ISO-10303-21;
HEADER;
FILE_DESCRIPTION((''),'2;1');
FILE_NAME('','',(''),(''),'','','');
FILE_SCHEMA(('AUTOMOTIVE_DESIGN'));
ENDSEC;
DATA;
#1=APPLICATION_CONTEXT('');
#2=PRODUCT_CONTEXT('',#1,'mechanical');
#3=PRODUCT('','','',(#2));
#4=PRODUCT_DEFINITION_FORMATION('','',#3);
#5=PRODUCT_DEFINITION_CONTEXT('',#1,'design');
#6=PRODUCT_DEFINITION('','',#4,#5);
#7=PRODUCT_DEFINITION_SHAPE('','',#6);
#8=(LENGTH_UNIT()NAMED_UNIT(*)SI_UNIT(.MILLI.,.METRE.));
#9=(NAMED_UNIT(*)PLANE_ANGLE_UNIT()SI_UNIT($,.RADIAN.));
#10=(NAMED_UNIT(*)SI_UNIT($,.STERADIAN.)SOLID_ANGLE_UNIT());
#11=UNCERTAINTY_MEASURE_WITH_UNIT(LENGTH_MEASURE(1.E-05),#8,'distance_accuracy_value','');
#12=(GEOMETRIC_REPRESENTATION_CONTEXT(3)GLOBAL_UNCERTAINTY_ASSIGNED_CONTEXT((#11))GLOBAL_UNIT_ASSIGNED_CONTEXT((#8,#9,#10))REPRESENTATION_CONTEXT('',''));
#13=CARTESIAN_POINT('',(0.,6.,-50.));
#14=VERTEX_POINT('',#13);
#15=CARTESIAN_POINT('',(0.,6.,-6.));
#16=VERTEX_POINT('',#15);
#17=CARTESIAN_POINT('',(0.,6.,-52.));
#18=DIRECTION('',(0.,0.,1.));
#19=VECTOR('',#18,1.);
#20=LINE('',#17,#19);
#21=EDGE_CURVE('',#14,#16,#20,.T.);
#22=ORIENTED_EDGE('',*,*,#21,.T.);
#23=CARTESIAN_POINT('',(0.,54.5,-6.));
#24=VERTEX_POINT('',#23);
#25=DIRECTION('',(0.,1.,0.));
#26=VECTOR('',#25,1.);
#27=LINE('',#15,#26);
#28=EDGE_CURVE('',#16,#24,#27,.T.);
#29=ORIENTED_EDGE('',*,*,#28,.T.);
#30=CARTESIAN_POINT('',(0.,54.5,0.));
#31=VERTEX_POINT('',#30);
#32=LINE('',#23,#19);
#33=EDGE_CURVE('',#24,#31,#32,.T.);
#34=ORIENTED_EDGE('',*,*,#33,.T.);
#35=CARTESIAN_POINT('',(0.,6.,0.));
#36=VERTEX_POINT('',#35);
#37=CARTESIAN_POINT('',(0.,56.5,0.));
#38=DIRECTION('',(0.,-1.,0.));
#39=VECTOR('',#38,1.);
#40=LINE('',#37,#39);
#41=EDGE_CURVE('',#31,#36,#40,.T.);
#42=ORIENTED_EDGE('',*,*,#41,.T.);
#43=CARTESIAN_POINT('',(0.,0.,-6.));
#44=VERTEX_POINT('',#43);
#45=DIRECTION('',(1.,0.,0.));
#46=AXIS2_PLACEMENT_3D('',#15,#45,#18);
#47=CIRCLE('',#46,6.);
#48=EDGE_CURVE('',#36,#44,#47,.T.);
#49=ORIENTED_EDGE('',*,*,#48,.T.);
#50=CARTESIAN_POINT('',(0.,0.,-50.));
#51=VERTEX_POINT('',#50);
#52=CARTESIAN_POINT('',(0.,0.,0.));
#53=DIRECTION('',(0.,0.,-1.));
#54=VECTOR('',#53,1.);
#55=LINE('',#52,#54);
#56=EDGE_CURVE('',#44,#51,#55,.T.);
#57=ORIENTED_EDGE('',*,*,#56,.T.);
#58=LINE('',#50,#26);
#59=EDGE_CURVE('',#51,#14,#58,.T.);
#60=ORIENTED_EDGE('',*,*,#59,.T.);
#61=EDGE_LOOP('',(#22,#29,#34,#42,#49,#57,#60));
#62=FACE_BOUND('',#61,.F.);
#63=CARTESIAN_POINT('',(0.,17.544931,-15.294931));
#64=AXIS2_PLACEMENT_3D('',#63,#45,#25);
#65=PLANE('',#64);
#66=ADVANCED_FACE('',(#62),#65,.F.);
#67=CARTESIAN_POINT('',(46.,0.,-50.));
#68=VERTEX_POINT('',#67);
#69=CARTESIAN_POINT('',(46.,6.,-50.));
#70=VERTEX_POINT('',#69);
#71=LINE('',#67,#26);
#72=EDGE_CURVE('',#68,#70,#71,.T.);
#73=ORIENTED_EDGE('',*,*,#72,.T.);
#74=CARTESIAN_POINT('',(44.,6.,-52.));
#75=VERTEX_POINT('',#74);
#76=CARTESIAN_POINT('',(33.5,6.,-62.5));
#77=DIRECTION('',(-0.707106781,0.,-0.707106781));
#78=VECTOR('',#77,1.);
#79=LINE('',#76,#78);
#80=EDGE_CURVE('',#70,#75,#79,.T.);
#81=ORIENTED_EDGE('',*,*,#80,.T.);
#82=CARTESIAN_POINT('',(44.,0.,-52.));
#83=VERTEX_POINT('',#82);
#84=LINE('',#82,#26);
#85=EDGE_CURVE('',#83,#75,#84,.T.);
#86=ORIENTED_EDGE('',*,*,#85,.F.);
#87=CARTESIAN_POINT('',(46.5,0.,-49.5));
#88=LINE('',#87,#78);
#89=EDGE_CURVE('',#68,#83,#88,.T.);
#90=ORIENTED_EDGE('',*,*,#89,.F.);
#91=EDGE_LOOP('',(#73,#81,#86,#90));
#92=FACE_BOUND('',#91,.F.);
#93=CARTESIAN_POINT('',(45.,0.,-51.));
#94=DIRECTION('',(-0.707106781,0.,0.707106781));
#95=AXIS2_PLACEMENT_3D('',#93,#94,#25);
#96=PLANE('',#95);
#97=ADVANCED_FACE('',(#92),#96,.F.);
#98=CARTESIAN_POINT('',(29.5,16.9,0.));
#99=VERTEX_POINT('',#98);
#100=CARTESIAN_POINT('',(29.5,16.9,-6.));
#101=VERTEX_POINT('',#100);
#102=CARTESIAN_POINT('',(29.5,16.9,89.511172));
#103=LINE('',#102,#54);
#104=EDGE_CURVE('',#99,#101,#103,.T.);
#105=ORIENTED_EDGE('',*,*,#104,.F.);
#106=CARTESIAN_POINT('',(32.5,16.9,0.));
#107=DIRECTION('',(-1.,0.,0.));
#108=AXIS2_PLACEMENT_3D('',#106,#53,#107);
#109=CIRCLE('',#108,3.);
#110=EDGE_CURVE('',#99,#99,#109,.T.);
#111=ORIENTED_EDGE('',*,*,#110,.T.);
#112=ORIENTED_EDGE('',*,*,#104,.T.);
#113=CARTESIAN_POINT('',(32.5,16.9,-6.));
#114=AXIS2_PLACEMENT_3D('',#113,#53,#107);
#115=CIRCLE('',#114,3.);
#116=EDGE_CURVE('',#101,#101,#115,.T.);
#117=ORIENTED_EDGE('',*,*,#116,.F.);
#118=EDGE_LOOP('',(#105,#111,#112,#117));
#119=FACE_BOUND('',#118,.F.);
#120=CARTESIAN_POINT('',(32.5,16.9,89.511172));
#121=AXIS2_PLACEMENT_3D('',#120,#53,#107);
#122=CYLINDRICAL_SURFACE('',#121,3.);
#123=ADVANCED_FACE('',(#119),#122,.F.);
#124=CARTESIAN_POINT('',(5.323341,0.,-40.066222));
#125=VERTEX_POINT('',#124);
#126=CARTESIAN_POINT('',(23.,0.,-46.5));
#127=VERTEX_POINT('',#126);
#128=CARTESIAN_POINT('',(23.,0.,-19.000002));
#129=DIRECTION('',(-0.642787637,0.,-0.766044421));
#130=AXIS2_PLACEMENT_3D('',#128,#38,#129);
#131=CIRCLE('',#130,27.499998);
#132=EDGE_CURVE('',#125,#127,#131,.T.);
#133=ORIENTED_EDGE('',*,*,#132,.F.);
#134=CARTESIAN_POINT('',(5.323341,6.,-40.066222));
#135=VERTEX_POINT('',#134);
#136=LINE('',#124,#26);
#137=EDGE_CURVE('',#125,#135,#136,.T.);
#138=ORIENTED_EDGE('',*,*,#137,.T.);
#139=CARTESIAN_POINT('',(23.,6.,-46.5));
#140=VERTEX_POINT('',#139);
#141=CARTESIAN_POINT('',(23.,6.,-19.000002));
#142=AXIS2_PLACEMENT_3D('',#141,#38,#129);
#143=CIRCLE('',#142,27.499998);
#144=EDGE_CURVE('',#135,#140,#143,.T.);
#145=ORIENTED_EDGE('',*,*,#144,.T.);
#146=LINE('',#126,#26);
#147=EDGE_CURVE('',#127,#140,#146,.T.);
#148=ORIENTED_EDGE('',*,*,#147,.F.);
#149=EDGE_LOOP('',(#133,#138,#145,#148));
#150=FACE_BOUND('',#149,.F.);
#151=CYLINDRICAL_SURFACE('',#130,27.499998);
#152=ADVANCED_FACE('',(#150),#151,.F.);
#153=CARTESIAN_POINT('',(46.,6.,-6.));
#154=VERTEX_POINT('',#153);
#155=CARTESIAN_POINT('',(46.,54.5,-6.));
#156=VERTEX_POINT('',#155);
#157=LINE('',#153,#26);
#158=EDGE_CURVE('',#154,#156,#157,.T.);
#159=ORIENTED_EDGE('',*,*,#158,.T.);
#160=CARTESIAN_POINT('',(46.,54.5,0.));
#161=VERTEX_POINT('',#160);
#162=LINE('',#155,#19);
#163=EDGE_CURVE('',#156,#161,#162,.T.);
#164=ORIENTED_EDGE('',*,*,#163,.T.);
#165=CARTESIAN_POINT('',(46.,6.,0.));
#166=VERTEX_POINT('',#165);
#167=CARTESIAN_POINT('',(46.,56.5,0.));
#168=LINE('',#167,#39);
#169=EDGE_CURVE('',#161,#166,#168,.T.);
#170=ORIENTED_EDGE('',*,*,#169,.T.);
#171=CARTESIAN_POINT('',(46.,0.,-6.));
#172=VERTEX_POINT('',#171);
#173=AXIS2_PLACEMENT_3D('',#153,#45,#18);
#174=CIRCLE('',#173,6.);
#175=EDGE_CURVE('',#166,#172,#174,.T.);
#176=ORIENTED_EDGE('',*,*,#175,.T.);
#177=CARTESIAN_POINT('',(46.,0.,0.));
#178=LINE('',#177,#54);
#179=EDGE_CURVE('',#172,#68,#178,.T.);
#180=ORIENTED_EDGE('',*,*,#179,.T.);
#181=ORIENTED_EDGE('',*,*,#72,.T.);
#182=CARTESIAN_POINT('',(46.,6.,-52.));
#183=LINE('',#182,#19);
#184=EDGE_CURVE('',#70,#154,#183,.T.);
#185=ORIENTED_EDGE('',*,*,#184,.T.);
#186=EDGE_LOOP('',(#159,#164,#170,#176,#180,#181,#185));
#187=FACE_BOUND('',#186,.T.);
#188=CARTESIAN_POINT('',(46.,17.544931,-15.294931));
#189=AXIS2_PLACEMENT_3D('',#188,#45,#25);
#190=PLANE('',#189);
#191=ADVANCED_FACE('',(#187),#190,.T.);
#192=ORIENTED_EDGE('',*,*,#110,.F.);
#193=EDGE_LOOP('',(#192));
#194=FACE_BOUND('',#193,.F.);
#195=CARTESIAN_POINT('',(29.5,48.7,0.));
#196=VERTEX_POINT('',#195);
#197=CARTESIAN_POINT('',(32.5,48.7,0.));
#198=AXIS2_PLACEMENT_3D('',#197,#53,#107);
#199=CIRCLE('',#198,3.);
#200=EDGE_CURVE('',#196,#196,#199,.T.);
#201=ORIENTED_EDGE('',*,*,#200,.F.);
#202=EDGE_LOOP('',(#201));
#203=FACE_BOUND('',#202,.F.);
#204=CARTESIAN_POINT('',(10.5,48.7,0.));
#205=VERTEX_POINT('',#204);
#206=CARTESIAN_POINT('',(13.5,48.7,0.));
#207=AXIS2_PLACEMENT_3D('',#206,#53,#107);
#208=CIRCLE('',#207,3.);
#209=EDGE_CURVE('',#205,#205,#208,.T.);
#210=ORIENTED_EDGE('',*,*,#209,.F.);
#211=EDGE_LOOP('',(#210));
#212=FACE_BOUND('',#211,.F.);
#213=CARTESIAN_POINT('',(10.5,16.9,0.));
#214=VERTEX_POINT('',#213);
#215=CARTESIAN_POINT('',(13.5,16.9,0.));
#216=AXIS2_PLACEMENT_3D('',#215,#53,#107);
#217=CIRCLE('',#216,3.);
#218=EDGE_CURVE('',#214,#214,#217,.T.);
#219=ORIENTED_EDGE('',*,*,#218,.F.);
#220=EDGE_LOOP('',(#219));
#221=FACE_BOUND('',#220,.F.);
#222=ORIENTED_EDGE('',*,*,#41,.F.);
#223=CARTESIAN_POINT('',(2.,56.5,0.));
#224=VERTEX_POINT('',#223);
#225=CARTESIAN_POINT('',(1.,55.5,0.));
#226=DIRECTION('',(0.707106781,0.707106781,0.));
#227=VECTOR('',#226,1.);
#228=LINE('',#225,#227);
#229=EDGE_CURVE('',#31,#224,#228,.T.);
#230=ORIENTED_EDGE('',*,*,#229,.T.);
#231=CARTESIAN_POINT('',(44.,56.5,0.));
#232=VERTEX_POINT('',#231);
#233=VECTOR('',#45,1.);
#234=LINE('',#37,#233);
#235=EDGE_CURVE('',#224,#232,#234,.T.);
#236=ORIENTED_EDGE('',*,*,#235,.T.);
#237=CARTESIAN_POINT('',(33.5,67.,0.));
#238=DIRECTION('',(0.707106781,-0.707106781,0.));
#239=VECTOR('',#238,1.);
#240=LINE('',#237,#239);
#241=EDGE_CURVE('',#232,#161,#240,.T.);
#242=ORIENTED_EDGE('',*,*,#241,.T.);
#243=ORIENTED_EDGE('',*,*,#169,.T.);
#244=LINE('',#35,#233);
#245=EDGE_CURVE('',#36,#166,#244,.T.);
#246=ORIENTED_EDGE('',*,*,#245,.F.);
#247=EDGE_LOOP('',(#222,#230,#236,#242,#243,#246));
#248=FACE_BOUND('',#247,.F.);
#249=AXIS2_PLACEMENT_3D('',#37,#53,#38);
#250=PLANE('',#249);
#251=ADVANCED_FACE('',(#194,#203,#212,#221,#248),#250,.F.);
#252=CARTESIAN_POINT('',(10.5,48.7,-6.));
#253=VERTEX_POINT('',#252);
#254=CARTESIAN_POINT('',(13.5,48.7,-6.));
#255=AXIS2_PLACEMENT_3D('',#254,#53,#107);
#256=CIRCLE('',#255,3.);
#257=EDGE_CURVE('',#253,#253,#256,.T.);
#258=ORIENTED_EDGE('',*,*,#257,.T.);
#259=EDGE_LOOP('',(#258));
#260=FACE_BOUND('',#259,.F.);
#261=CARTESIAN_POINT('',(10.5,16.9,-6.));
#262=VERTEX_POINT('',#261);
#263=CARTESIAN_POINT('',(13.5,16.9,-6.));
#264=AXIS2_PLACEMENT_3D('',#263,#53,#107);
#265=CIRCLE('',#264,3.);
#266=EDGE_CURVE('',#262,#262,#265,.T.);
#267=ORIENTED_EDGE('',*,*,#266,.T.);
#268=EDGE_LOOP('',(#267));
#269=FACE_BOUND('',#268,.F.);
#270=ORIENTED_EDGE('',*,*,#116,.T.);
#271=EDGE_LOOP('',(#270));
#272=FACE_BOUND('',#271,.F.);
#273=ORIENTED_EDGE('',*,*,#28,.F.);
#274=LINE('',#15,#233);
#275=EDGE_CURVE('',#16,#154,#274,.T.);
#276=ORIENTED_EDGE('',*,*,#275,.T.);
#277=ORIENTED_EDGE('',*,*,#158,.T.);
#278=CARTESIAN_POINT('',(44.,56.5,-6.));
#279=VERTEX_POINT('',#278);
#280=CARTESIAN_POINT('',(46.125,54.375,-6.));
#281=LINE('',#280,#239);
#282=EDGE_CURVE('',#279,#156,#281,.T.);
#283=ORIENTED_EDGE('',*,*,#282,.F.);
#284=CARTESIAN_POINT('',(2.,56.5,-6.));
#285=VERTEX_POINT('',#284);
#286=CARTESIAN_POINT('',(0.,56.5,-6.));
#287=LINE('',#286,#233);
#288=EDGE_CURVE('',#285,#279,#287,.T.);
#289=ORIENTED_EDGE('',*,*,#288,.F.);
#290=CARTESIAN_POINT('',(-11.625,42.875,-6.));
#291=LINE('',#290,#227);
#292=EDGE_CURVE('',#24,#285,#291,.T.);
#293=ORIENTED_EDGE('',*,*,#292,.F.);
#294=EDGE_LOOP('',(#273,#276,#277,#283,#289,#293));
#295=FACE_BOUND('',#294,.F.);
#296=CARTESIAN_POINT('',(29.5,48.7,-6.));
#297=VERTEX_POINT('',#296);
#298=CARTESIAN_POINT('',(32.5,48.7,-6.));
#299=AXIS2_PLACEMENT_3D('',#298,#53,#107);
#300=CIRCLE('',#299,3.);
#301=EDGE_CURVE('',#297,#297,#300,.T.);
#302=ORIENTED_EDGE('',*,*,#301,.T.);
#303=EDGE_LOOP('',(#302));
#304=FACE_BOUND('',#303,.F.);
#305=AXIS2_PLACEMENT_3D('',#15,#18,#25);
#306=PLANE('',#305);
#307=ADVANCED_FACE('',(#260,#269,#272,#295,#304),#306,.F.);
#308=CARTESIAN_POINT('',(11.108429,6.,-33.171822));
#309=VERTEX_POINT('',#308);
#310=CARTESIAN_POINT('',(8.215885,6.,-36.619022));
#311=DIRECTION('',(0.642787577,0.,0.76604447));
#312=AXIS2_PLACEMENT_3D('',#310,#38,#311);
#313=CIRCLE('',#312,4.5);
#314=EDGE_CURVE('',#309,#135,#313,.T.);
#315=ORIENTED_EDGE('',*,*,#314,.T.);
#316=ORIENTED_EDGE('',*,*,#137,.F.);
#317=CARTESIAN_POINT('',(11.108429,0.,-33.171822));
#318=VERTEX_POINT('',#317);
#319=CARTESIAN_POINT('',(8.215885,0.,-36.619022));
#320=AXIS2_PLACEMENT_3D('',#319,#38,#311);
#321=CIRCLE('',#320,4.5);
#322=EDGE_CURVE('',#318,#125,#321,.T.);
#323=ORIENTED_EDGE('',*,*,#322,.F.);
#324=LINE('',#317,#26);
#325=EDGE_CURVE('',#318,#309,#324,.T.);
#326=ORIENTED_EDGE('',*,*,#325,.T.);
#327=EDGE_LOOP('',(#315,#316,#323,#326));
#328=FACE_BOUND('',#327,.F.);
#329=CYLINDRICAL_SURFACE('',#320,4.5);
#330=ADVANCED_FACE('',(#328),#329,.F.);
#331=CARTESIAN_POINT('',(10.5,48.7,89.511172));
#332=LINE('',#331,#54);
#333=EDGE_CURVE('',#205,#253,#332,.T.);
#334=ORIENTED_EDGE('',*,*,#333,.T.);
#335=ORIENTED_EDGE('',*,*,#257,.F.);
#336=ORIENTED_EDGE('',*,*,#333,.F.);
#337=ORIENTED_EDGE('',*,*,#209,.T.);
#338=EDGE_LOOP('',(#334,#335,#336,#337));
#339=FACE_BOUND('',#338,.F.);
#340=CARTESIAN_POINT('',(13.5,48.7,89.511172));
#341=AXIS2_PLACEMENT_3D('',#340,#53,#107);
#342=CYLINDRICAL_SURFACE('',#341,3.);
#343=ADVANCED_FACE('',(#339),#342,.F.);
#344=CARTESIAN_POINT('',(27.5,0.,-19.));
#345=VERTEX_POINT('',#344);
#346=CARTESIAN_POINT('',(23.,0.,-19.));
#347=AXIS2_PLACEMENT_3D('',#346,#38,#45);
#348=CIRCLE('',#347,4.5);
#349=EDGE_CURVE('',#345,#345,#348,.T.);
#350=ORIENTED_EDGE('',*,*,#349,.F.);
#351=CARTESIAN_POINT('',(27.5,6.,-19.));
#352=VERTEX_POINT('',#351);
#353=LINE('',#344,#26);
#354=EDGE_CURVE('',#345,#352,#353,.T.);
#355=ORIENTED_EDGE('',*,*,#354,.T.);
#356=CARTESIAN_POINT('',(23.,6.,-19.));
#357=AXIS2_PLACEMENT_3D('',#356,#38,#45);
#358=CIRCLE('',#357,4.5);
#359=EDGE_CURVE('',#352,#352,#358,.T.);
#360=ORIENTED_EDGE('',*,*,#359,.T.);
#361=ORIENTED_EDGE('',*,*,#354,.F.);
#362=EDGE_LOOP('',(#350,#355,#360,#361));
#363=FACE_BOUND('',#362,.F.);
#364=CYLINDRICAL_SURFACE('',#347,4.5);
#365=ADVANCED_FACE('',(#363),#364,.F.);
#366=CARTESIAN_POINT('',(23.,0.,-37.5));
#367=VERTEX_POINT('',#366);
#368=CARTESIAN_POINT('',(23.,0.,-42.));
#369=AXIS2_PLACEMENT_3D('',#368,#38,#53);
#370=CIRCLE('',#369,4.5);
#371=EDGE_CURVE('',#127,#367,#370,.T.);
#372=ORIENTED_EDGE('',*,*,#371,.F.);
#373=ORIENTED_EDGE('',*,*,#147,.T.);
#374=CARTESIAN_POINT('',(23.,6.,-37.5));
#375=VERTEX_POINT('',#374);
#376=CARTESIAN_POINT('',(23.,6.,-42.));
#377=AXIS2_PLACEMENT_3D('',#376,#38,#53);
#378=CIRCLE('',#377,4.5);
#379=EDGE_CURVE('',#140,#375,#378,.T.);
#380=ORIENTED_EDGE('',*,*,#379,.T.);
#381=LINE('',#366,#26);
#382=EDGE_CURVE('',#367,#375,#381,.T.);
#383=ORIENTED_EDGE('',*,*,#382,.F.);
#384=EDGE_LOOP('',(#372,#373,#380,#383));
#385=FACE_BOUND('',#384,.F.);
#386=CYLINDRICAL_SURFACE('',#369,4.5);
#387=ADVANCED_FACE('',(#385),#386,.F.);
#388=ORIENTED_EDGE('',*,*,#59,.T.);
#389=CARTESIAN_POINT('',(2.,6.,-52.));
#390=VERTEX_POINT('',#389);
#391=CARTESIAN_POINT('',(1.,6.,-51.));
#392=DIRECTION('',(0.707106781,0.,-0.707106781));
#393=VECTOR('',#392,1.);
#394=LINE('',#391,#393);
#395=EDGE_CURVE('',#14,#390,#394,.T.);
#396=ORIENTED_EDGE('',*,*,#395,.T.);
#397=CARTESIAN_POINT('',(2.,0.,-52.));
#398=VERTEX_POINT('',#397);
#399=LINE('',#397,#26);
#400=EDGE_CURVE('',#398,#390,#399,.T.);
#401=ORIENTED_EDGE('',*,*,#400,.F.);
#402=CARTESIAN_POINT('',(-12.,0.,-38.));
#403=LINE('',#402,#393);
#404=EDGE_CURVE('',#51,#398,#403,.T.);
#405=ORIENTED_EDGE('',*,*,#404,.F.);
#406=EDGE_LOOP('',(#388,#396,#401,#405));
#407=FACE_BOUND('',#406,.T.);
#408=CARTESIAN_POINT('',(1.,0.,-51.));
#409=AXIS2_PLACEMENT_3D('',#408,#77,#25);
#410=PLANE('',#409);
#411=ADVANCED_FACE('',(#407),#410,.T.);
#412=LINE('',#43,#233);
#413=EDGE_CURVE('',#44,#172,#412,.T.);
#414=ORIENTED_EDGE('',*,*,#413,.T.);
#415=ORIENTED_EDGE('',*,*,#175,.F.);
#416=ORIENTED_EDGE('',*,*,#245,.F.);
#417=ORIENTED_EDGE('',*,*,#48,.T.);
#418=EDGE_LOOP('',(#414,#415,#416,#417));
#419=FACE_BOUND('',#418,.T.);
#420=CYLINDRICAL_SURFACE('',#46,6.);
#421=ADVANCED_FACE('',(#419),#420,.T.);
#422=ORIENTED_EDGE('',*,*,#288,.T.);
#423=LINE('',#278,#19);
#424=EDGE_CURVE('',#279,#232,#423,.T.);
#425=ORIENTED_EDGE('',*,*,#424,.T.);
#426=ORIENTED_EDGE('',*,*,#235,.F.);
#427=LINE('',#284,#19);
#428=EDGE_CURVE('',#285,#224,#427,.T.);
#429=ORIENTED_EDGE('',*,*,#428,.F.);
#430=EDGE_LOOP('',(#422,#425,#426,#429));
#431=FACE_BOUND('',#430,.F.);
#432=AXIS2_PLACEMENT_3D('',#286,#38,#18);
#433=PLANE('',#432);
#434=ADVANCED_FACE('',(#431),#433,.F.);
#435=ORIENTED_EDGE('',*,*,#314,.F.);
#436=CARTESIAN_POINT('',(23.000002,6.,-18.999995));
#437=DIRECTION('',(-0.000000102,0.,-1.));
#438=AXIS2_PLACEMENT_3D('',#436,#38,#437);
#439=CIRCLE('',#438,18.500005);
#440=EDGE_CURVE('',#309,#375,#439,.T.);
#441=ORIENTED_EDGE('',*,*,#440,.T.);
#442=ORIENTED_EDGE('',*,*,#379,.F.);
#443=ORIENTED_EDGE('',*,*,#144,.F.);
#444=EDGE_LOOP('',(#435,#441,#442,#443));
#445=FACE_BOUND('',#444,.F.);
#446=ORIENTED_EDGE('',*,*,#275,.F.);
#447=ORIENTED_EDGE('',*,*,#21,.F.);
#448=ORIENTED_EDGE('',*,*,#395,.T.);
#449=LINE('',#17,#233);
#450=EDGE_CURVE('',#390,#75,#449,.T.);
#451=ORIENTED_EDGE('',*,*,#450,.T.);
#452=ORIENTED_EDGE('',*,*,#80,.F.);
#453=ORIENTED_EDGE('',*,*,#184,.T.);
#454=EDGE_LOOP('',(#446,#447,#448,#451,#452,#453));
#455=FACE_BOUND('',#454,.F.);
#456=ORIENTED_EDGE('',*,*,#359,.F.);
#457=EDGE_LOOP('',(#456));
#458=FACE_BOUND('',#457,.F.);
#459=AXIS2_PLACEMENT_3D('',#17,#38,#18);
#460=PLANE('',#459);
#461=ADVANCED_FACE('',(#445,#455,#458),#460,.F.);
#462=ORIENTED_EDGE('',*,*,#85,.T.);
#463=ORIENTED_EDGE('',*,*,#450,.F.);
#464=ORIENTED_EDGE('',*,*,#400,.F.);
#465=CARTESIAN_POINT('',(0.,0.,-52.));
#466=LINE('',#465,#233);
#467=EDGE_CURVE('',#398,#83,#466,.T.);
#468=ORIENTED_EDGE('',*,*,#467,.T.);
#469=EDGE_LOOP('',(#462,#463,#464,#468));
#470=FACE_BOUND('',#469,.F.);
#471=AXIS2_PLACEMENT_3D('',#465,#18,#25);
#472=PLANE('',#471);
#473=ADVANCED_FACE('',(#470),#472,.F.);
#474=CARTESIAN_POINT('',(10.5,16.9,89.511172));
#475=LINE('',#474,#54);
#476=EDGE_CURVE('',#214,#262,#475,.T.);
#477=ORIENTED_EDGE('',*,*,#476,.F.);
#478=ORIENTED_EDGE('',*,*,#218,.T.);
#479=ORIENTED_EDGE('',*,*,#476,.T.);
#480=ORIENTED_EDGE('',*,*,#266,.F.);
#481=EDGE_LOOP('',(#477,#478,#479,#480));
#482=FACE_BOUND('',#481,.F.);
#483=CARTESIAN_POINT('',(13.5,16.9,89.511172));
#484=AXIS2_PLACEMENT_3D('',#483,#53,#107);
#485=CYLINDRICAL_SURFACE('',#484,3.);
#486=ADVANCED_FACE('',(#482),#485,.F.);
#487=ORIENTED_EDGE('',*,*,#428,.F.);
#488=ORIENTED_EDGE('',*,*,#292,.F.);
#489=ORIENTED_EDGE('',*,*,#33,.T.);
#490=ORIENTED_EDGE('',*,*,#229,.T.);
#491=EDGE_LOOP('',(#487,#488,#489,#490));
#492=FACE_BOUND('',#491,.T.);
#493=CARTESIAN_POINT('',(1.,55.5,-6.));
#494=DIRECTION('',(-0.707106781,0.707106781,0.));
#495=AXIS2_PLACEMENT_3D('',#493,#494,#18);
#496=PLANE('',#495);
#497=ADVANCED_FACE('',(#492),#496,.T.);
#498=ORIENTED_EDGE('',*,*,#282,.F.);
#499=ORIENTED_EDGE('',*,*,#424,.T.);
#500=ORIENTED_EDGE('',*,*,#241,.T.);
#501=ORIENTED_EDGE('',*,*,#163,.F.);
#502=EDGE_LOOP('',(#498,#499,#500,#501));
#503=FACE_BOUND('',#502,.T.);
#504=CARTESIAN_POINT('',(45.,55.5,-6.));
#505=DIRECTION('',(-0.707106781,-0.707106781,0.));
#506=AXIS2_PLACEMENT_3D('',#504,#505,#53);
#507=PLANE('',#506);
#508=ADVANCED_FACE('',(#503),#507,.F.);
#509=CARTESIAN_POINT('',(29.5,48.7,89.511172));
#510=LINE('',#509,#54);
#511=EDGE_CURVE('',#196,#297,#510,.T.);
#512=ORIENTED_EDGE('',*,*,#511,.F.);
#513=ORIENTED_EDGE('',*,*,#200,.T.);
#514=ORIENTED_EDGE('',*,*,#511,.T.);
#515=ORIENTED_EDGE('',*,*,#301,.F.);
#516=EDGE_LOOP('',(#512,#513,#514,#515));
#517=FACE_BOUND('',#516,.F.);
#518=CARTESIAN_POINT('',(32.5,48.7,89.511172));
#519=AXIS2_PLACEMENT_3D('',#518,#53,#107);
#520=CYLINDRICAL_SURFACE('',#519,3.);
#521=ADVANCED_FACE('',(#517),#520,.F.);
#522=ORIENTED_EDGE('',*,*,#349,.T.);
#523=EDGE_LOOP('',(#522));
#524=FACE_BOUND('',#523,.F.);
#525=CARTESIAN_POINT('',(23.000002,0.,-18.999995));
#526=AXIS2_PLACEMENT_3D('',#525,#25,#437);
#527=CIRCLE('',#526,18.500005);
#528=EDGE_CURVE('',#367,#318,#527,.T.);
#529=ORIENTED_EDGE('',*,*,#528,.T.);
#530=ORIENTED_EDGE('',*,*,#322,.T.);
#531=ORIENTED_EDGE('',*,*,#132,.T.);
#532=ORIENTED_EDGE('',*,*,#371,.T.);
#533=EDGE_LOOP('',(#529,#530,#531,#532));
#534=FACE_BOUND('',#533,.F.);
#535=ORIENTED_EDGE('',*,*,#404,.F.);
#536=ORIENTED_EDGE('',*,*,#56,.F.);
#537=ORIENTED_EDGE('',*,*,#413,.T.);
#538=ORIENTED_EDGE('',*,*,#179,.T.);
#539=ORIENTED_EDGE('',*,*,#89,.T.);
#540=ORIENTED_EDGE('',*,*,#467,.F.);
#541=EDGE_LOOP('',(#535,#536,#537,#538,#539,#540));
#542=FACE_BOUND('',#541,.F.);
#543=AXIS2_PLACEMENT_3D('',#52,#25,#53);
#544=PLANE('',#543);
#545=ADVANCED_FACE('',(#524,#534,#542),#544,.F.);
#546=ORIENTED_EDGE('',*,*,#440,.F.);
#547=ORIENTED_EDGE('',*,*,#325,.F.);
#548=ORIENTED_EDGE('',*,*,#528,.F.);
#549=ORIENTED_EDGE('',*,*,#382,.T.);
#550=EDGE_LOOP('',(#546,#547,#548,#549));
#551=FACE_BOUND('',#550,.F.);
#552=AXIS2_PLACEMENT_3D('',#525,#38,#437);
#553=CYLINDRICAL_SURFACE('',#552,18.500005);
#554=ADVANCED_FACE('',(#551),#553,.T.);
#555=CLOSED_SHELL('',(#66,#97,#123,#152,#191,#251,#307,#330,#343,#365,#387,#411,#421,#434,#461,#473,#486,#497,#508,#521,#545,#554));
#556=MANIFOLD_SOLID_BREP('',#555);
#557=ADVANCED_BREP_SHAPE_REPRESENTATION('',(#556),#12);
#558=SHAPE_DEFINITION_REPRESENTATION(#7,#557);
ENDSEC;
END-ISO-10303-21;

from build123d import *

# Parameters (mm, degrees)
F1_DEPTH = 46
F3_D     = 6
F5_R     = 6
F6_SIZE  = 2
F4_R     = 4.5
F7_DEPTH = 25


with BuildPart() as f1:
    # F0 (on Right) → F1 (new body)
    with BuildSketch(Plane.YZ):
        Polygon((56.5, 0), (0, 0), (0, -52), (6, -52), (6, -6), (56.5, -6), align=None)
    extrude(amount=F1_DEPTH)

    # F3 (through all)
    with Locations(Plane.XY):
        with Locations((13.5, 16.9), (32.5, 16.9), (32.5, 48.7), (13.5, 48.7)):
            Hole(F3_D / 2)

    # F5
    f5_edges = [f1.edges().sort_by_distance(p)[0] for p in [
        (23, 0, 0),
    ]]
    fillet(f5_edges, radius=F5_R)

    # F6
    f6_edges = [f1.edges().sort_by_distance(p)[0] for p in [
        (46, 56.5, -3),
        (0, 56.5, -3),
        (0, 3, -52),
        (46, 3, -52),
    ]]
    chamfer(f6_edges, length=F6_SIZE)

    # F4 (on face) → F7 (cut)
    with BuildSketch(Plane.XZ):
        with Locations((23, -19)):
            Circle(F4_R)
        with BuildLine():
            ThreePointArc((23, -37.5), (16.672627, -36.384313), (11.108429, -33.171822))
            ThreePointArc((11.108429, -33.171822), (4.768685, -33.726478), (5.323341, -40.066222))
            ThreePointArc((5.323341, -40.066222), (13.594446, -44.841547), (23, -46.5))
            ThreePointArc((23, -46.5), (27.5, -42), (23, -37.5))
        make_face()
    extrude(amount=-F7_DEPTH, mode=Mode.SUBTRACT)


solid = f1.part
